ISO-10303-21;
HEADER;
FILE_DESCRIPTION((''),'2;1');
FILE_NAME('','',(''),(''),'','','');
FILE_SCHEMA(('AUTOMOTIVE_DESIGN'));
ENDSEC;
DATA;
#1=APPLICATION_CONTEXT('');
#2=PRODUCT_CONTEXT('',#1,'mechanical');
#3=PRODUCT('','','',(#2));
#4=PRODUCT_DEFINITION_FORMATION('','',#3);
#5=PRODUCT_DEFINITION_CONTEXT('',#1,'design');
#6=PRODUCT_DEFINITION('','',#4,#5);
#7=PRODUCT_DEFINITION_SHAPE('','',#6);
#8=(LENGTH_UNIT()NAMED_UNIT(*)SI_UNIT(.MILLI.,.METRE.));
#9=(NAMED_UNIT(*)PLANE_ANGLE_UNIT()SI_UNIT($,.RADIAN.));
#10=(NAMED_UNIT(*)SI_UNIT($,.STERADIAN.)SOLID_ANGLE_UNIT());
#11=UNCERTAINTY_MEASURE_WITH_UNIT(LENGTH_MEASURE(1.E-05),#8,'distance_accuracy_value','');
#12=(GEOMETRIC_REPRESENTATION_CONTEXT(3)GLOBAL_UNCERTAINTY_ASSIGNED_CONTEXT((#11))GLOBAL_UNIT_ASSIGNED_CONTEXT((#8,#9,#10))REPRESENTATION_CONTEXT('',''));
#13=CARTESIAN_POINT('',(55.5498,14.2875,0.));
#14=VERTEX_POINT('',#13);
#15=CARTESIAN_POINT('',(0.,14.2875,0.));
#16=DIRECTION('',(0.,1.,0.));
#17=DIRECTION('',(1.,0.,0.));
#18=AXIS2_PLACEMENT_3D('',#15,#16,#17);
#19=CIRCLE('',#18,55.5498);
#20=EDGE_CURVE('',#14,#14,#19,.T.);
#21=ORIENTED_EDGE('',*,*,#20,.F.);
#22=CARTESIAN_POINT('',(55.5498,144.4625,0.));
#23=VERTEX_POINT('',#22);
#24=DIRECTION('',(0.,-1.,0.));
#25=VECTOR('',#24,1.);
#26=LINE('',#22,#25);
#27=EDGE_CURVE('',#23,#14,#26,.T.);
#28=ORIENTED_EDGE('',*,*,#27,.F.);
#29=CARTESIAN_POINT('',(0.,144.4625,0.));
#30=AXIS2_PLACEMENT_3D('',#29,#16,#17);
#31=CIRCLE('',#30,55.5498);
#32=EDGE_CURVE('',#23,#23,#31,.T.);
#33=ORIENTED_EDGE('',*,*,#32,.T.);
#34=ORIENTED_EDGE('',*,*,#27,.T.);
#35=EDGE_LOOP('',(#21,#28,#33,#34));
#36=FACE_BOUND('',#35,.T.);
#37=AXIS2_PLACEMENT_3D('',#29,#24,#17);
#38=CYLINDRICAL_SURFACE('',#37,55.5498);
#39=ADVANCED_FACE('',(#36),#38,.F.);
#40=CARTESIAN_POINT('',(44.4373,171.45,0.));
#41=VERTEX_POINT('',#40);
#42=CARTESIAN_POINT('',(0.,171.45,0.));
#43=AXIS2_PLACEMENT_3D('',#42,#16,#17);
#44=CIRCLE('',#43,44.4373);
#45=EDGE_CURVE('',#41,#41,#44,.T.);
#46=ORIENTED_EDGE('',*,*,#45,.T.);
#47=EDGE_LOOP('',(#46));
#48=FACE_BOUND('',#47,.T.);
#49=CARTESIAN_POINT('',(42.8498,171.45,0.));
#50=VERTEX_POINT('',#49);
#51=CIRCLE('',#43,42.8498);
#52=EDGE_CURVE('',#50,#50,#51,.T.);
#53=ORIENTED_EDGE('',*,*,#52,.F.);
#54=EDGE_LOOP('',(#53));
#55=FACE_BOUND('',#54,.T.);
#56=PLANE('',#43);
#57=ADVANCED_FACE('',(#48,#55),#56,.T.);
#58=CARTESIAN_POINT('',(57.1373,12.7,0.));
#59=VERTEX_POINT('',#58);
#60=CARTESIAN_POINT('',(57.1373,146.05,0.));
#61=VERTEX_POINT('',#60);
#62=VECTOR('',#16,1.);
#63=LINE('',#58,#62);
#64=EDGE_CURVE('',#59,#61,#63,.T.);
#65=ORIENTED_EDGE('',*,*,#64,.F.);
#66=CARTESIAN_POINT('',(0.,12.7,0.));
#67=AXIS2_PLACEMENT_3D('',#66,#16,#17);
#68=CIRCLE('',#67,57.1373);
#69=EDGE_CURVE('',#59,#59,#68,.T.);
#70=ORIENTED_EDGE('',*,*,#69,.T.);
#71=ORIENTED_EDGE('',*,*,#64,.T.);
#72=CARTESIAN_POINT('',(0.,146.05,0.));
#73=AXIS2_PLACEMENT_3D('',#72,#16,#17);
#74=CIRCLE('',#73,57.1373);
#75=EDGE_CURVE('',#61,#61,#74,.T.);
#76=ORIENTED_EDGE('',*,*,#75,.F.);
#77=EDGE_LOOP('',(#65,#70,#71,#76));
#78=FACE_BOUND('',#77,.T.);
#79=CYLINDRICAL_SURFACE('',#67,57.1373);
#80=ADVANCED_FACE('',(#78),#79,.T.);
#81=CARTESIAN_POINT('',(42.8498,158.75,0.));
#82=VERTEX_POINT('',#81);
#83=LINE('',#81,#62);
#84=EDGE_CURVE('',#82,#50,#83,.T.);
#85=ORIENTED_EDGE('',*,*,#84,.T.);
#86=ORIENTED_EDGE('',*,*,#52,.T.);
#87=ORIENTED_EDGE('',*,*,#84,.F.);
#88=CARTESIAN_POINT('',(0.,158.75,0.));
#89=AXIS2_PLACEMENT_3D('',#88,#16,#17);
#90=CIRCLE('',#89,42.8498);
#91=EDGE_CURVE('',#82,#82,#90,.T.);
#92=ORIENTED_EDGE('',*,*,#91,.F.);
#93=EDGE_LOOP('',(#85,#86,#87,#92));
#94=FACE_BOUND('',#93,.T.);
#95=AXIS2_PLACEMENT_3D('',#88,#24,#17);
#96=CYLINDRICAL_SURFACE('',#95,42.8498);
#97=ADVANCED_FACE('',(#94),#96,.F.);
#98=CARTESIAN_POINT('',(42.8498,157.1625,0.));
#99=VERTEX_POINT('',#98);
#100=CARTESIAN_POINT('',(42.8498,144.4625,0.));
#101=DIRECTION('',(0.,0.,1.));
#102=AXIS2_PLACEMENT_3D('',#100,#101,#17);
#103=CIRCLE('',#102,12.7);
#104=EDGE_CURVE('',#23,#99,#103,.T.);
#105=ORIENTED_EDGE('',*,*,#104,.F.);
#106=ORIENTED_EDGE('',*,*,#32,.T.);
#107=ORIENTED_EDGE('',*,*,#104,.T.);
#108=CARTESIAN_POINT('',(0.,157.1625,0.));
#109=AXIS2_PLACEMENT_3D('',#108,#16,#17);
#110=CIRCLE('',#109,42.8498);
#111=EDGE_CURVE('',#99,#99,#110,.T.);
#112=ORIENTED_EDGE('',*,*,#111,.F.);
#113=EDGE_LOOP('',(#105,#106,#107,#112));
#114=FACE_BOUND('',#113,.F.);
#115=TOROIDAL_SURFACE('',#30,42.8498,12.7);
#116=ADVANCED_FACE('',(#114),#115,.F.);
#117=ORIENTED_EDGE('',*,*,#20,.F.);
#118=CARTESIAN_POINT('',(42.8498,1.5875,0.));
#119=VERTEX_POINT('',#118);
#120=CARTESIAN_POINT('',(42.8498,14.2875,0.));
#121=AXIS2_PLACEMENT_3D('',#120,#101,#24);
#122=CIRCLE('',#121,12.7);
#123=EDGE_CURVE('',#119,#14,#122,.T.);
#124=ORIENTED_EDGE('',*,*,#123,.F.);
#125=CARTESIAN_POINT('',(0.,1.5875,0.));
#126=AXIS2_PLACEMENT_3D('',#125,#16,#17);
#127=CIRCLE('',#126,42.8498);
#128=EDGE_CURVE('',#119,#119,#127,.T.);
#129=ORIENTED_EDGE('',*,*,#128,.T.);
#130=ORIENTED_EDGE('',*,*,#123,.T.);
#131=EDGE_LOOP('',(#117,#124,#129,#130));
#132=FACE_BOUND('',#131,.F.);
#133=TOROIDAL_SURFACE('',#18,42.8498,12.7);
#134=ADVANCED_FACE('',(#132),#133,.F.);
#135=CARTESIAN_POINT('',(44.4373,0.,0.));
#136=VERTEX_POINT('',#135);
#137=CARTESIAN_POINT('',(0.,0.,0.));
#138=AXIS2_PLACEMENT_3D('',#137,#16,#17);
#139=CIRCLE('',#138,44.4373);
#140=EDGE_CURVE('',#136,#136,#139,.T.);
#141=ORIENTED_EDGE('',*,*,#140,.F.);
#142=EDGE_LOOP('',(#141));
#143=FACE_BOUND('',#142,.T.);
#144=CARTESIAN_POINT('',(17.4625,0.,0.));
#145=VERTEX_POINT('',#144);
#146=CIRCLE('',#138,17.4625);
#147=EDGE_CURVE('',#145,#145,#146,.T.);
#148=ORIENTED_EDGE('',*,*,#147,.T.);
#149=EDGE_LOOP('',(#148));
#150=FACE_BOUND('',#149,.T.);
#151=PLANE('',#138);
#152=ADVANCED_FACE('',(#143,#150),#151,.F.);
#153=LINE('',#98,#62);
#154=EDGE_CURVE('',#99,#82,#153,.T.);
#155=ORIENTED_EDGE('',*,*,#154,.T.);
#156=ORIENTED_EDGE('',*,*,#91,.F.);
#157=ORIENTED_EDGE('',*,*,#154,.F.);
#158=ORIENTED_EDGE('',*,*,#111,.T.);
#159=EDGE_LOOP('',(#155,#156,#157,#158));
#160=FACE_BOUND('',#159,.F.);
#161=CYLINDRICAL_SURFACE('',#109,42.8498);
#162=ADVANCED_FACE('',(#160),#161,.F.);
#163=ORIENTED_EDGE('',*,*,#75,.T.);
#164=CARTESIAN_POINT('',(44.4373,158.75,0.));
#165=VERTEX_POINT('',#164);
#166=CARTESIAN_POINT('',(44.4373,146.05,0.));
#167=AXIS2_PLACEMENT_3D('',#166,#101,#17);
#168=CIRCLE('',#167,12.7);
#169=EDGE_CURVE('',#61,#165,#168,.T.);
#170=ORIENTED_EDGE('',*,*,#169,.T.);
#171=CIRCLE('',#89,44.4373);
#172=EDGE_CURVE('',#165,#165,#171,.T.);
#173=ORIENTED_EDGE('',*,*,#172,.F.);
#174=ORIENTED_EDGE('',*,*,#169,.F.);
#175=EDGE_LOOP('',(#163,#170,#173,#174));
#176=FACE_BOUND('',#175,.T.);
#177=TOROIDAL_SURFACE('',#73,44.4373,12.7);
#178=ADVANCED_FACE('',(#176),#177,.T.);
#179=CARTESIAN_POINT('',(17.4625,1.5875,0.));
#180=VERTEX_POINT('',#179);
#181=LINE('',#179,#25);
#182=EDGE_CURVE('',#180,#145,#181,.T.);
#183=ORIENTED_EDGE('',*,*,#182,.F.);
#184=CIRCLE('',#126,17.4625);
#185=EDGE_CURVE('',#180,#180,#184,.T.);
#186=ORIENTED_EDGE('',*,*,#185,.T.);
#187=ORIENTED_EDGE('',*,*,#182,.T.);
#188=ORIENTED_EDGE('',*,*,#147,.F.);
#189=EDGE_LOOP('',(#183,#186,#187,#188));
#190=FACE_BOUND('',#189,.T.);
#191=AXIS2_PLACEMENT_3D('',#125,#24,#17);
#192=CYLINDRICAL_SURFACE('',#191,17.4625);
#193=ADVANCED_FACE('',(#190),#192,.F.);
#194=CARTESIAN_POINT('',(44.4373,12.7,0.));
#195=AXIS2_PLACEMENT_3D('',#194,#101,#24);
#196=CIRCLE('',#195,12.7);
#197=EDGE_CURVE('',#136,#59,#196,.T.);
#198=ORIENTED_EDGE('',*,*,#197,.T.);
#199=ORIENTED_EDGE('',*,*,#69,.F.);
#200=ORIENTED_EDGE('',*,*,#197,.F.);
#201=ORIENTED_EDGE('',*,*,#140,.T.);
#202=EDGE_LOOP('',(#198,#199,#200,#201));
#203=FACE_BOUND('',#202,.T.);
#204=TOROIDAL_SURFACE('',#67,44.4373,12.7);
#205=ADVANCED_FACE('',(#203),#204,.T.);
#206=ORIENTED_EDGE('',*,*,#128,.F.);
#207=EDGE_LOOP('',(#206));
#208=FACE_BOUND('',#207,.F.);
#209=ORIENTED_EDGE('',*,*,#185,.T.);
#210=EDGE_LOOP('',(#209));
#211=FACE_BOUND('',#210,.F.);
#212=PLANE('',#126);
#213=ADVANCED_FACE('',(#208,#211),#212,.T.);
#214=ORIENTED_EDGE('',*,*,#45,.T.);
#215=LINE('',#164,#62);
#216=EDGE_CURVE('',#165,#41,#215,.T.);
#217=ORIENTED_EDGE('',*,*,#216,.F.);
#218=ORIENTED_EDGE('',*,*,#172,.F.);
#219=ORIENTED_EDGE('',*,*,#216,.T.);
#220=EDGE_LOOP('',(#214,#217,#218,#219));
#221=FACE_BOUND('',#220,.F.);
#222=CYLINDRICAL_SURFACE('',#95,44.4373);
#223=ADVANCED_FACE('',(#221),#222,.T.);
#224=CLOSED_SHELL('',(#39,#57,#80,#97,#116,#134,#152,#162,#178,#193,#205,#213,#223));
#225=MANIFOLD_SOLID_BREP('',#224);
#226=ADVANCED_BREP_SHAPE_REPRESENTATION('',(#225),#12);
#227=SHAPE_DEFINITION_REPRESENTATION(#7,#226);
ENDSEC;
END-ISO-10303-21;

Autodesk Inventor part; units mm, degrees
ref_plane "YZ Plane" through (0, 0, 0) normal (1, 0, 0) x (0, 1, 0)
ref_plane "XZ Plane" through (0, 0, 0) normal (0, 1, 0) x (-1, 0, 0)
ref_plane "XY Plane" through (0, 0, 0) normal (0, 0, 1) x (1, 0, 0)
sketch "Sketch1" plane through (0, 0, 0) normal (0, 0, 1) x (1, 0, 0)
  line L0 (0, 0) -> (0, 1.5875)
  line L1 (0, 0) -> (0, 1.5875)
  line L2 (17.4625, 1.5875) -> (17.4625, 0)
  line L3 (17.4625, 0) -> (44.4373, 0)
  line L4 (57.1373, 12.7) -> (57.1373, 146.05)
  line L5 (55.5498, 144.4625) -> (55.5498, 14.2875)
  line L6 (17.4625, 1.5875) -> (42.8498, 1.5875)
  arc A0 (44.4373, 0) -> (57.1373, 12.7) centre (44.4373, 12.7) ccw
  arc A1 (42.8498, 1.5875) -> (55.5498, 14.2875) centre (42.8498, 14.2875) ccw
  line L7 (42.8498, 157.1625) -> (42.8498, 158.75)
  line L8 (42.8498, 158.75) -> (44.4373, 158.75)
  line L9 (42.8498, 158.75) -> (42.8498, 157.1625)
  line L10 (42.8498, 157.1625) -> (42.8498, 157.1625)
  arc A2 (55.5498, 144.4625) -> (42.8498, 157.1625) centre (42.8498, 144.4625) ccw
  arc A3 (57.1373, 146.05) -> (44.4373, 158.75) centre (44.4373, 146.05) ccw
  line L11 (42.8498, 157.1625) -> (41.2623, 157.1625)
  line L12 (42.8498, 158.75) -> (42.8498, 171.45)
  line L13 (42.8498, 171.45) -> (41.2623, 171.45)
  line L14 (41.2623, 171.45) -> (41.2623, 157.1625)
  point P0 (57.1373, 0)
  dimension "d4" = 1.5875
  dimension "d5" = 17.4625
  dimension "d10" = 39.6748
  dimension "d14" = 12.7
  dimension "d15" = 1.5875
  dimension "d16" = 12.7
  dimension "d17" = 1.5875
  dimension "d18" = 12.7
revolve "Revolution1" add sketch "Sketch1" angle 360 about axis through (0, 0, 0) along (0, 1, 0) contours L6 A1 L5 A2 L7 L8 A3 L4 A0 L3 L2
sketch "Sketch2" plane through (0, 50.8, 0) normal (0, 1, 0) x (1, 0, 0)
  circle A0 centre (0, 0) radius 69.85 projected
  circle A1 centre (0, 0) radius 68.2625 projected
  circle A2 centre (0, 0) radius 68.2625
  circle A3 centre (0, 0) radius 69.85
extrude "Extrusion1" [suppressed]
sketch "Sketch3" plane through (0, 158.75, 0) normal (0, 1, 0) x (1, 0, 0)
  circle A0 centre (0, 0) radius 44.4373 projected
  circle A1 centre (0, 0) radius 42.8498 projected
  circle A2 centre (0, 0) radius 42.8498
  circle A3 centre (0, 0) radius 44.4373
extrude "Extrusion2" add sketch "Sketch3" along normal blind 12.7
properties part number "Vessel"
